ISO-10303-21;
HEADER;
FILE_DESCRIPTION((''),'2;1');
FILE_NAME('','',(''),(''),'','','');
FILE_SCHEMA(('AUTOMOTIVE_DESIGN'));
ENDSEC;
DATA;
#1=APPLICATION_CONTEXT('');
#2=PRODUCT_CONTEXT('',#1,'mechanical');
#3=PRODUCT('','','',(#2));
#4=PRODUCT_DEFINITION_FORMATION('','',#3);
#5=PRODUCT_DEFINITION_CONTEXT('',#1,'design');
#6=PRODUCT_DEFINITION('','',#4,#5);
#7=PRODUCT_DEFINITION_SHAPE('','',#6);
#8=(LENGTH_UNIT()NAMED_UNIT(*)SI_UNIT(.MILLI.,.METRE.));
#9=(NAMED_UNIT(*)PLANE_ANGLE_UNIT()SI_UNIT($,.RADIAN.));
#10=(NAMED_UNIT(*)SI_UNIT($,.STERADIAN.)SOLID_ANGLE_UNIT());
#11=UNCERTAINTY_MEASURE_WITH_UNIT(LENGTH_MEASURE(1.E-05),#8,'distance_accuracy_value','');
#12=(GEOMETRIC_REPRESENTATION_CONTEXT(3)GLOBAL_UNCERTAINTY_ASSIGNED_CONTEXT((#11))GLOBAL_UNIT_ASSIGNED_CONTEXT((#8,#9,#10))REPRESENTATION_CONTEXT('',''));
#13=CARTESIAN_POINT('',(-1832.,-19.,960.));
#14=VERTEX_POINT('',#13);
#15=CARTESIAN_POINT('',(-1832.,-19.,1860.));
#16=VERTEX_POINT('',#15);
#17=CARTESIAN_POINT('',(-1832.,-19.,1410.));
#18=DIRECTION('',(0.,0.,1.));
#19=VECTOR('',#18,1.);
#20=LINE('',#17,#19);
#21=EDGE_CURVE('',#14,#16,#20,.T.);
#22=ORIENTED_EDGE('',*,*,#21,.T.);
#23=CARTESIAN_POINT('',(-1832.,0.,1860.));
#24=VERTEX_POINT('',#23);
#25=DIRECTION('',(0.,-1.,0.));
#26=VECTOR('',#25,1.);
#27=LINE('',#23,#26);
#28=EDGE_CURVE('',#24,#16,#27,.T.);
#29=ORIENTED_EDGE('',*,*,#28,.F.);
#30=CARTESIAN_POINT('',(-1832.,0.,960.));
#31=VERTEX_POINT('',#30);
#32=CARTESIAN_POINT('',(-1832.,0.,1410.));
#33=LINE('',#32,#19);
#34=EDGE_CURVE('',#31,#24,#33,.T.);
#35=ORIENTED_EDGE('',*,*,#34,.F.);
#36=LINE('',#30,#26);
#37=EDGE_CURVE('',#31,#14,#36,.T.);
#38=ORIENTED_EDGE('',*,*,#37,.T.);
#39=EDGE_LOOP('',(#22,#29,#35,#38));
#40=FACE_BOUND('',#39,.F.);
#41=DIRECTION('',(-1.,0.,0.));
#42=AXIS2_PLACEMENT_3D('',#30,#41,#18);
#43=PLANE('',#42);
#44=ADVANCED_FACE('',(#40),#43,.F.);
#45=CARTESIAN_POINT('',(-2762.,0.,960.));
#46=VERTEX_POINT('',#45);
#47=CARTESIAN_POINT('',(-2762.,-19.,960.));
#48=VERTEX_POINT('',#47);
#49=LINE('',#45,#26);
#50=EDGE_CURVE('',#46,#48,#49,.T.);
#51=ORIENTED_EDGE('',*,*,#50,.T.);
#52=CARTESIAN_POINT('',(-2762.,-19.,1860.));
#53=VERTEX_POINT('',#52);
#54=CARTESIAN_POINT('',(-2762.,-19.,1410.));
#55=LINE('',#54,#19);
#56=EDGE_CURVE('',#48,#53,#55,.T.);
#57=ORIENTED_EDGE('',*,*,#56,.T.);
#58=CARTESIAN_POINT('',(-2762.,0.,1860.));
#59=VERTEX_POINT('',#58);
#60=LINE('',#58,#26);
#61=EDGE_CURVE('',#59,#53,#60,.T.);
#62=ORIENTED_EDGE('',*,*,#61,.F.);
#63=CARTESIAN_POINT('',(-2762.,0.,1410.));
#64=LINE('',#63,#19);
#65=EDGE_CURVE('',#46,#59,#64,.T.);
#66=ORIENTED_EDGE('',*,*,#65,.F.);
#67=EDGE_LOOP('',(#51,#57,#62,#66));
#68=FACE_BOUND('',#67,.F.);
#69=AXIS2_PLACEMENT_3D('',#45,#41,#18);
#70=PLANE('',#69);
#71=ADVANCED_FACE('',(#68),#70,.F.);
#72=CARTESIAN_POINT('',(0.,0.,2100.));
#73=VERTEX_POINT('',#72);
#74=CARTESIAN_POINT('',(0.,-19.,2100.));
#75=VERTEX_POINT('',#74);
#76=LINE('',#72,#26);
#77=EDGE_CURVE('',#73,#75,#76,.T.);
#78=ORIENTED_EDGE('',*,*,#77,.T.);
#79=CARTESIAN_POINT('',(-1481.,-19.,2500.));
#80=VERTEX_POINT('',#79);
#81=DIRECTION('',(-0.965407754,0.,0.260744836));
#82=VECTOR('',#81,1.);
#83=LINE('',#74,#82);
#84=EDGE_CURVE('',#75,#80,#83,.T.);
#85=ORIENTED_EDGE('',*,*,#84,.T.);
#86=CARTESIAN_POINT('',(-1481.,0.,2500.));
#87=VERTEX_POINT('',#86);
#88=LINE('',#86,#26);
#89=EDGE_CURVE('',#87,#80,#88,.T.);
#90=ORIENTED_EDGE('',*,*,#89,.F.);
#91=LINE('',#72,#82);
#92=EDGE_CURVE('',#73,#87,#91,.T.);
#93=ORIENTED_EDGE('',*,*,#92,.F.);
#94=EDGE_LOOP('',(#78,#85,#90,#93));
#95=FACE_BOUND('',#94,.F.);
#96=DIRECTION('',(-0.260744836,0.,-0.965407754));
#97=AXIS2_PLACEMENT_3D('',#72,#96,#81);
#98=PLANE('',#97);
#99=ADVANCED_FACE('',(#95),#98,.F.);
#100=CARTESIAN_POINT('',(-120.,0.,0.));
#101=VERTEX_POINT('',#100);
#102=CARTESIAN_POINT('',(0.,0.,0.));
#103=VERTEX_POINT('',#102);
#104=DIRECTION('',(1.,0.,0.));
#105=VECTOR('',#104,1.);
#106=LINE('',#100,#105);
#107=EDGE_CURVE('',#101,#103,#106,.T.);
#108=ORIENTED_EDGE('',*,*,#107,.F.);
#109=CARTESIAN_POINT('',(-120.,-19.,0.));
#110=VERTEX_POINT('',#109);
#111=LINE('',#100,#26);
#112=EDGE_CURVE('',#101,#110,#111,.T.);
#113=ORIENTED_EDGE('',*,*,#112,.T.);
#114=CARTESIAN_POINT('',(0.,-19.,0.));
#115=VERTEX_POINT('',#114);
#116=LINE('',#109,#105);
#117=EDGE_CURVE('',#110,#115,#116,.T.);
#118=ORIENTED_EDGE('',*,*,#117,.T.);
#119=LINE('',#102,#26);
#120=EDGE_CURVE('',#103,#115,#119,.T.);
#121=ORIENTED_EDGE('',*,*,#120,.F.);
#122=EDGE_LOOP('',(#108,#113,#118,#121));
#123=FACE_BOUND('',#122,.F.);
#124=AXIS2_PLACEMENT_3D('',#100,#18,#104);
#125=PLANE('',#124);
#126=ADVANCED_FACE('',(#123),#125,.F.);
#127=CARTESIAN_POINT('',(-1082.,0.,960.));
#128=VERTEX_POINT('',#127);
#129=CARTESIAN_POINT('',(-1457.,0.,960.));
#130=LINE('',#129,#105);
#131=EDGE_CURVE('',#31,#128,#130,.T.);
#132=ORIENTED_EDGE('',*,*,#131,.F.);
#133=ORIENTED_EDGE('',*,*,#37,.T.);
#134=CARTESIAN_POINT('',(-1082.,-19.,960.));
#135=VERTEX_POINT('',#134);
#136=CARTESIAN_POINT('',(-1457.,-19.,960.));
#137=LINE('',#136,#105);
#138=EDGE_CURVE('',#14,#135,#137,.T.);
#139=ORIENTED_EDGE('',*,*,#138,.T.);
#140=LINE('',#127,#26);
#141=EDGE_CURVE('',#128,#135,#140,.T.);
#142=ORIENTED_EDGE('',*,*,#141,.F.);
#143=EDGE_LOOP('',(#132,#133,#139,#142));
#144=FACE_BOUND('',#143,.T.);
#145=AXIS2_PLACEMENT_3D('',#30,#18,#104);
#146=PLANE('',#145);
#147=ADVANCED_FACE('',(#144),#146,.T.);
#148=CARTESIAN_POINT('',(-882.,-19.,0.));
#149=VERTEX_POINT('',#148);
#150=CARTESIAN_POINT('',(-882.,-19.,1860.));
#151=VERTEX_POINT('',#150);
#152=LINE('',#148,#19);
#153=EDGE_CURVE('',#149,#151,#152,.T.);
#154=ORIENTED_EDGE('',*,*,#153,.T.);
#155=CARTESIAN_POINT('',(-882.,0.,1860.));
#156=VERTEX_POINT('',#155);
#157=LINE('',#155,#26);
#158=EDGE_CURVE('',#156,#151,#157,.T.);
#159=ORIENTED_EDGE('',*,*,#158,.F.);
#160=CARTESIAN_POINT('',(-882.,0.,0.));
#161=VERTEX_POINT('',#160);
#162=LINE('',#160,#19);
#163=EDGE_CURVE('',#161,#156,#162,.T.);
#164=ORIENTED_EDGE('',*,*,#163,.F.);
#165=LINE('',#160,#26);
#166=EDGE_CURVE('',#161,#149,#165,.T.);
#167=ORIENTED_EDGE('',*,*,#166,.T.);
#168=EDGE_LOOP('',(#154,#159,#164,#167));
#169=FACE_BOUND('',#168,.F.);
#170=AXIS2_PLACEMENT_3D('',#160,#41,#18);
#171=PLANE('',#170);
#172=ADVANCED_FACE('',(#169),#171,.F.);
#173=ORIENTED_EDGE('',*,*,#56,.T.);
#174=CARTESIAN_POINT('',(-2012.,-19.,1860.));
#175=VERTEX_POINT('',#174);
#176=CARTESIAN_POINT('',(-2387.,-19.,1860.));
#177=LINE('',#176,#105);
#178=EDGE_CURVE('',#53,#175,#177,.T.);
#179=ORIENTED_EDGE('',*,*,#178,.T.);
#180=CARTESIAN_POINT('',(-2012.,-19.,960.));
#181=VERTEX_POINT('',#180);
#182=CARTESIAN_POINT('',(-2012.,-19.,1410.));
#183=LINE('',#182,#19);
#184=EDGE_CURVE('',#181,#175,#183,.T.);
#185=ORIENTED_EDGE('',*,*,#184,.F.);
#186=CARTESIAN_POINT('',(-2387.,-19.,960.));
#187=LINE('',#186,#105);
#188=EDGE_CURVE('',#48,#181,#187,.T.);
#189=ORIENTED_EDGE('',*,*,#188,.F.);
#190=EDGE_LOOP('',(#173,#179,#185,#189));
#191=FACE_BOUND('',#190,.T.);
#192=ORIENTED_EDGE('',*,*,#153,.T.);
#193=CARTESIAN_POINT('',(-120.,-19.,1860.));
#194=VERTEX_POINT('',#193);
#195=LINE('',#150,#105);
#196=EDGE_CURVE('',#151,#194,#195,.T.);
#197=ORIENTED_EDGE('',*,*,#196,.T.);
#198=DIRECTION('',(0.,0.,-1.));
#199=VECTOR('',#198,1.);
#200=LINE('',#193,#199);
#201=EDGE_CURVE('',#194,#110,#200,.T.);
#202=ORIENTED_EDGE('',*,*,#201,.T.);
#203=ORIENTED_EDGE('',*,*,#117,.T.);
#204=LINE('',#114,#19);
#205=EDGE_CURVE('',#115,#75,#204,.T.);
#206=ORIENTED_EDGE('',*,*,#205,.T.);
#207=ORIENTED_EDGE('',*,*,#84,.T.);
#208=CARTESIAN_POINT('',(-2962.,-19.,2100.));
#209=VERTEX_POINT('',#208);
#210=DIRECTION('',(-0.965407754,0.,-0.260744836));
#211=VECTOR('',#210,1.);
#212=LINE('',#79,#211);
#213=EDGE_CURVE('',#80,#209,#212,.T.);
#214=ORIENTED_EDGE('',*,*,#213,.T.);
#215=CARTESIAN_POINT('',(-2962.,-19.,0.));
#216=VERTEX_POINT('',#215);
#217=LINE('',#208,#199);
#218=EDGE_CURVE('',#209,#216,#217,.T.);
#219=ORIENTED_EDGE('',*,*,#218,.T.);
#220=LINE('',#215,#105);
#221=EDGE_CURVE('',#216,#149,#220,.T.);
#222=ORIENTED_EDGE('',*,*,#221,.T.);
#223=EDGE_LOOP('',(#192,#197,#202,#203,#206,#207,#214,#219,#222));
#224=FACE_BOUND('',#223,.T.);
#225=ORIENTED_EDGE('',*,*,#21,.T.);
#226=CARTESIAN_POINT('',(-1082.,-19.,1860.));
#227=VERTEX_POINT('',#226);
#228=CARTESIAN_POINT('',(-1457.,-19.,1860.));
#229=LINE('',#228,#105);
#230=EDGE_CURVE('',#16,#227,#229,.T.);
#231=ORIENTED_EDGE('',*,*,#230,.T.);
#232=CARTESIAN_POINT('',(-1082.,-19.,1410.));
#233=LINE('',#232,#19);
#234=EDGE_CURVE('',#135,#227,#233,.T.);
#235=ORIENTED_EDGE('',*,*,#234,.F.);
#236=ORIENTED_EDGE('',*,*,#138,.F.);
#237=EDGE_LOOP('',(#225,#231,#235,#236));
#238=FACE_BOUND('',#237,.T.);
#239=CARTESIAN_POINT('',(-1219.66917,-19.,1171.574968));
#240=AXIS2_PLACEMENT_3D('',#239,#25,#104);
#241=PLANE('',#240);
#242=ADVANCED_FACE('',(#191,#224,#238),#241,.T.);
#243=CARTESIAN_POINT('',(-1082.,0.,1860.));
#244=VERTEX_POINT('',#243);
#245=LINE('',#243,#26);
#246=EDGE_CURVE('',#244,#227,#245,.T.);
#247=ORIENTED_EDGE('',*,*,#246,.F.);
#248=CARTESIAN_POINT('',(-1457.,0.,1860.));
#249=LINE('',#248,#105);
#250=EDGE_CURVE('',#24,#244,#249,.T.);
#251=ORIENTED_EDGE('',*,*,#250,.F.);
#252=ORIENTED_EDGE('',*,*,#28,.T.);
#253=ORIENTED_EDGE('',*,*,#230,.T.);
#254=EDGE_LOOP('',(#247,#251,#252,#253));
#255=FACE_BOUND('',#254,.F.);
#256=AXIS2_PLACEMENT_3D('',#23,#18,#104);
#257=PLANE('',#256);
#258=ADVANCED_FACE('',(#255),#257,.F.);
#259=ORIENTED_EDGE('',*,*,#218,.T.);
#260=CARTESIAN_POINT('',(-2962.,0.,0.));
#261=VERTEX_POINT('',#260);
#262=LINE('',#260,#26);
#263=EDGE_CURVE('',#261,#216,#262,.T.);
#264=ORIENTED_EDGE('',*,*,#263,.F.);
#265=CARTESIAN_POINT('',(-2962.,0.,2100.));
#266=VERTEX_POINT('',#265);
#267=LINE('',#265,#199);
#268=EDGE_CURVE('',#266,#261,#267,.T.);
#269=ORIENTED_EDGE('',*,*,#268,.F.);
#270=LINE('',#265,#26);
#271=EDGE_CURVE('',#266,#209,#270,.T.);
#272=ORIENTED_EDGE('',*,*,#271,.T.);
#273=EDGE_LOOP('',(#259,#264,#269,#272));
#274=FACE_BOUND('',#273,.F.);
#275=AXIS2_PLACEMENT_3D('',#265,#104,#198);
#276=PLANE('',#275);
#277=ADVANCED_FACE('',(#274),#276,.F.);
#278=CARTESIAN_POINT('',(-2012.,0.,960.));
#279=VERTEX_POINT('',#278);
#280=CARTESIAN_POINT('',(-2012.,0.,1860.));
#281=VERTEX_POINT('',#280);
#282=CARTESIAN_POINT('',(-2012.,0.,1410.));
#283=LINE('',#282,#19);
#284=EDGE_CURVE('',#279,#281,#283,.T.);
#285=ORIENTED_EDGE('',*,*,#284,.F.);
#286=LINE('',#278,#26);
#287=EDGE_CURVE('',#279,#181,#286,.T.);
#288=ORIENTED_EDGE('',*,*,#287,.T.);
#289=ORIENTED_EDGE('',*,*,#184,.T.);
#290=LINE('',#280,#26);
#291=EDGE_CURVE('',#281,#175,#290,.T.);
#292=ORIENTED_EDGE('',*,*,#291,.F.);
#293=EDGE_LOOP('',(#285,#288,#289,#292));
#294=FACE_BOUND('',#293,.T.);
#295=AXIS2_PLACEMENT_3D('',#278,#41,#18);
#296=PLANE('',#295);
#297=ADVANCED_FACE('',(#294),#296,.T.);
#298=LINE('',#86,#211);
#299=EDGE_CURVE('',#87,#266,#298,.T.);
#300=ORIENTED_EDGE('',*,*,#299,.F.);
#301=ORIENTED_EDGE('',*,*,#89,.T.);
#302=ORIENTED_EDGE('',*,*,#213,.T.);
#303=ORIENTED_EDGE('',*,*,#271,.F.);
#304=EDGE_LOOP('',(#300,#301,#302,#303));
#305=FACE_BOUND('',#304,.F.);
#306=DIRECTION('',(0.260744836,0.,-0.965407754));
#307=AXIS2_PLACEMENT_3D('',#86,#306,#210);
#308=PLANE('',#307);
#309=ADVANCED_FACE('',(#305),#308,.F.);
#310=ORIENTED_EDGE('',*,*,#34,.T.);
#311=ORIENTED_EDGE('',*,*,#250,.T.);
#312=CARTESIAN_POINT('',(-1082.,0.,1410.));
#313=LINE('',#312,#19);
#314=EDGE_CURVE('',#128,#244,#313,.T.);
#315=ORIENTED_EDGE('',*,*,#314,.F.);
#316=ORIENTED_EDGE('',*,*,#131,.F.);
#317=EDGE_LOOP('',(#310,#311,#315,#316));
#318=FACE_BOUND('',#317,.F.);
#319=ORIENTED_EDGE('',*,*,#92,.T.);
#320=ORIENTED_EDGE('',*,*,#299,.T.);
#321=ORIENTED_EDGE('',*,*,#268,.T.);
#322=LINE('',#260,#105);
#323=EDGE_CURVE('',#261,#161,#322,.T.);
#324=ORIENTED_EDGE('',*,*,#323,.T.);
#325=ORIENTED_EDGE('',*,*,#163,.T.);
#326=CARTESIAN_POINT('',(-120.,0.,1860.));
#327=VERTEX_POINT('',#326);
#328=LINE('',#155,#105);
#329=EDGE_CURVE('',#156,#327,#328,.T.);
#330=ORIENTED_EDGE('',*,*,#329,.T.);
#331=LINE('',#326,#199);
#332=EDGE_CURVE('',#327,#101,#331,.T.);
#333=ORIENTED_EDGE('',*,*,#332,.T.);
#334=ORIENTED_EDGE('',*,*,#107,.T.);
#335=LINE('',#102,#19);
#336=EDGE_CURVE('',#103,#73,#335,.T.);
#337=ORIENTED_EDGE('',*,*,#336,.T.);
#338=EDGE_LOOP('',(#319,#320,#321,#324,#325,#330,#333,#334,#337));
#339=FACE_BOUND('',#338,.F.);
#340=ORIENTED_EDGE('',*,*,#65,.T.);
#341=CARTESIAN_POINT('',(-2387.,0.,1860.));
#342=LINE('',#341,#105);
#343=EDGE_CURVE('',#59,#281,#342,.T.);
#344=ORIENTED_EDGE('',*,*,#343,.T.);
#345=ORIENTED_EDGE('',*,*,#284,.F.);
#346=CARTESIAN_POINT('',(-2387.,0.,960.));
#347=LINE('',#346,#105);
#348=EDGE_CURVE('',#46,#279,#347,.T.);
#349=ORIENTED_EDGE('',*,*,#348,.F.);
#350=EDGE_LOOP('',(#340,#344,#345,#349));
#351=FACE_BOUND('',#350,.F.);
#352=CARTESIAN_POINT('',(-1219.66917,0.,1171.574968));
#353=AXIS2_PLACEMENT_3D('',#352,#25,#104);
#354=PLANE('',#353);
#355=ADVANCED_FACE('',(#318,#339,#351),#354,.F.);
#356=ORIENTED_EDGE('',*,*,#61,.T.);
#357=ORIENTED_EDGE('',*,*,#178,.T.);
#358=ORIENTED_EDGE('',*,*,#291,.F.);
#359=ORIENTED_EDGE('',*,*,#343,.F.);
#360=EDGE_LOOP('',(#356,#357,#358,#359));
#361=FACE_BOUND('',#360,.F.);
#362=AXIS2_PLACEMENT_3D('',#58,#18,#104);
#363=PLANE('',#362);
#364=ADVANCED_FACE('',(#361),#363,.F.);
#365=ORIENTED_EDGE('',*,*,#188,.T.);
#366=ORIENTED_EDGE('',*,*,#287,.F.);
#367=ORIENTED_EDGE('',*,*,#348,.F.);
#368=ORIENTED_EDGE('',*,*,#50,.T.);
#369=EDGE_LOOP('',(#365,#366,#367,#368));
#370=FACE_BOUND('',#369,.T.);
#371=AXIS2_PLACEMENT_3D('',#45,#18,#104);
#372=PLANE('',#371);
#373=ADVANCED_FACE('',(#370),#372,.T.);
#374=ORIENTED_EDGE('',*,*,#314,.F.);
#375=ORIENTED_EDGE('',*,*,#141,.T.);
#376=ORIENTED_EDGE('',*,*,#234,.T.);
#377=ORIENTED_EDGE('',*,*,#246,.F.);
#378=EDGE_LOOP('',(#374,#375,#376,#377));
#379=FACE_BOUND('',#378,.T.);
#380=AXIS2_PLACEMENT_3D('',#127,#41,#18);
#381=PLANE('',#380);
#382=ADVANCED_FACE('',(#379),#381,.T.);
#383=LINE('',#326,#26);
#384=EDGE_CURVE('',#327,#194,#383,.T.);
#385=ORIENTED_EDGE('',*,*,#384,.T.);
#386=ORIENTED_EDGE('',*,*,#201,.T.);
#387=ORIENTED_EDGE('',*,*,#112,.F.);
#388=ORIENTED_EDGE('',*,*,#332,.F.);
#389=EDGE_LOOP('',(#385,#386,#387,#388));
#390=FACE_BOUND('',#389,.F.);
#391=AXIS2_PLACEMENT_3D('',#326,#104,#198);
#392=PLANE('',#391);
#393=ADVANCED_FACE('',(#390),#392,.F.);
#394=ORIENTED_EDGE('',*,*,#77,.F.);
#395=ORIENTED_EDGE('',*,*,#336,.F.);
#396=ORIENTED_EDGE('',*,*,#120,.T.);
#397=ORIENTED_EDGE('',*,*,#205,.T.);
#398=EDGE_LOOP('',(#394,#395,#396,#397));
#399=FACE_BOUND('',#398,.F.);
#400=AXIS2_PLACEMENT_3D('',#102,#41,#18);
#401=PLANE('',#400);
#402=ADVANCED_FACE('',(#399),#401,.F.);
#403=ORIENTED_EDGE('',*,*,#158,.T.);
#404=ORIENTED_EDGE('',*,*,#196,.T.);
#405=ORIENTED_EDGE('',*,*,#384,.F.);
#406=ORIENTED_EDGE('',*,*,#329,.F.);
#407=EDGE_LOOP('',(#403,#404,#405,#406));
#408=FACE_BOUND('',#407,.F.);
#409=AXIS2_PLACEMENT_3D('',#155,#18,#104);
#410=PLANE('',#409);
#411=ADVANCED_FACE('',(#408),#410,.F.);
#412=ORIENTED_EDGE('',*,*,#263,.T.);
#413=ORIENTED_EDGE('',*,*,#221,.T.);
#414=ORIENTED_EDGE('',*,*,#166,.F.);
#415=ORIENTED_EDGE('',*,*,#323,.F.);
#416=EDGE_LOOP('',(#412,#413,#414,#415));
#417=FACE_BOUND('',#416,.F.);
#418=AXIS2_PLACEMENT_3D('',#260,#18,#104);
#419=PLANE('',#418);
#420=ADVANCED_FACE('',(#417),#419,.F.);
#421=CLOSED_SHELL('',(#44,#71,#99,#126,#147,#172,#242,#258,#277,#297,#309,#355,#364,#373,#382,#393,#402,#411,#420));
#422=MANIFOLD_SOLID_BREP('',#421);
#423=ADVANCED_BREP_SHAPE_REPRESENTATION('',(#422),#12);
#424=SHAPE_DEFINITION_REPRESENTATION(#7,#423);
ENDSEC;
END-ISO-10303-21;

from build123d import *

# Parameters (mm, degrees)
F0_W     = 750
F0_H     = 900
F1_DEPTH = 19


with BuildPart() as f1:
    # F0 (on Front) → F1 (new body)
    with BuildSketch(Plane.XZ):
        Polygon((-120, 0), (0, 0), (0, 2100), (-1481, 2500), (-2962, 2100), (-2962, 0), (-882, 0), (-882, 1860), (-120, 1860), align=None)
        with Locations((-2387, 1410)):
            Rectangle(F0_W, F0_H, mode=Mode.SUBTRACT)
        with Locations((-1457, 1410)):
            Rectangle(F0_W, F0_H, mode=Mode.SUBTRACT)
    extrude(amount=F1_DEPTH)


solid = f1.part
